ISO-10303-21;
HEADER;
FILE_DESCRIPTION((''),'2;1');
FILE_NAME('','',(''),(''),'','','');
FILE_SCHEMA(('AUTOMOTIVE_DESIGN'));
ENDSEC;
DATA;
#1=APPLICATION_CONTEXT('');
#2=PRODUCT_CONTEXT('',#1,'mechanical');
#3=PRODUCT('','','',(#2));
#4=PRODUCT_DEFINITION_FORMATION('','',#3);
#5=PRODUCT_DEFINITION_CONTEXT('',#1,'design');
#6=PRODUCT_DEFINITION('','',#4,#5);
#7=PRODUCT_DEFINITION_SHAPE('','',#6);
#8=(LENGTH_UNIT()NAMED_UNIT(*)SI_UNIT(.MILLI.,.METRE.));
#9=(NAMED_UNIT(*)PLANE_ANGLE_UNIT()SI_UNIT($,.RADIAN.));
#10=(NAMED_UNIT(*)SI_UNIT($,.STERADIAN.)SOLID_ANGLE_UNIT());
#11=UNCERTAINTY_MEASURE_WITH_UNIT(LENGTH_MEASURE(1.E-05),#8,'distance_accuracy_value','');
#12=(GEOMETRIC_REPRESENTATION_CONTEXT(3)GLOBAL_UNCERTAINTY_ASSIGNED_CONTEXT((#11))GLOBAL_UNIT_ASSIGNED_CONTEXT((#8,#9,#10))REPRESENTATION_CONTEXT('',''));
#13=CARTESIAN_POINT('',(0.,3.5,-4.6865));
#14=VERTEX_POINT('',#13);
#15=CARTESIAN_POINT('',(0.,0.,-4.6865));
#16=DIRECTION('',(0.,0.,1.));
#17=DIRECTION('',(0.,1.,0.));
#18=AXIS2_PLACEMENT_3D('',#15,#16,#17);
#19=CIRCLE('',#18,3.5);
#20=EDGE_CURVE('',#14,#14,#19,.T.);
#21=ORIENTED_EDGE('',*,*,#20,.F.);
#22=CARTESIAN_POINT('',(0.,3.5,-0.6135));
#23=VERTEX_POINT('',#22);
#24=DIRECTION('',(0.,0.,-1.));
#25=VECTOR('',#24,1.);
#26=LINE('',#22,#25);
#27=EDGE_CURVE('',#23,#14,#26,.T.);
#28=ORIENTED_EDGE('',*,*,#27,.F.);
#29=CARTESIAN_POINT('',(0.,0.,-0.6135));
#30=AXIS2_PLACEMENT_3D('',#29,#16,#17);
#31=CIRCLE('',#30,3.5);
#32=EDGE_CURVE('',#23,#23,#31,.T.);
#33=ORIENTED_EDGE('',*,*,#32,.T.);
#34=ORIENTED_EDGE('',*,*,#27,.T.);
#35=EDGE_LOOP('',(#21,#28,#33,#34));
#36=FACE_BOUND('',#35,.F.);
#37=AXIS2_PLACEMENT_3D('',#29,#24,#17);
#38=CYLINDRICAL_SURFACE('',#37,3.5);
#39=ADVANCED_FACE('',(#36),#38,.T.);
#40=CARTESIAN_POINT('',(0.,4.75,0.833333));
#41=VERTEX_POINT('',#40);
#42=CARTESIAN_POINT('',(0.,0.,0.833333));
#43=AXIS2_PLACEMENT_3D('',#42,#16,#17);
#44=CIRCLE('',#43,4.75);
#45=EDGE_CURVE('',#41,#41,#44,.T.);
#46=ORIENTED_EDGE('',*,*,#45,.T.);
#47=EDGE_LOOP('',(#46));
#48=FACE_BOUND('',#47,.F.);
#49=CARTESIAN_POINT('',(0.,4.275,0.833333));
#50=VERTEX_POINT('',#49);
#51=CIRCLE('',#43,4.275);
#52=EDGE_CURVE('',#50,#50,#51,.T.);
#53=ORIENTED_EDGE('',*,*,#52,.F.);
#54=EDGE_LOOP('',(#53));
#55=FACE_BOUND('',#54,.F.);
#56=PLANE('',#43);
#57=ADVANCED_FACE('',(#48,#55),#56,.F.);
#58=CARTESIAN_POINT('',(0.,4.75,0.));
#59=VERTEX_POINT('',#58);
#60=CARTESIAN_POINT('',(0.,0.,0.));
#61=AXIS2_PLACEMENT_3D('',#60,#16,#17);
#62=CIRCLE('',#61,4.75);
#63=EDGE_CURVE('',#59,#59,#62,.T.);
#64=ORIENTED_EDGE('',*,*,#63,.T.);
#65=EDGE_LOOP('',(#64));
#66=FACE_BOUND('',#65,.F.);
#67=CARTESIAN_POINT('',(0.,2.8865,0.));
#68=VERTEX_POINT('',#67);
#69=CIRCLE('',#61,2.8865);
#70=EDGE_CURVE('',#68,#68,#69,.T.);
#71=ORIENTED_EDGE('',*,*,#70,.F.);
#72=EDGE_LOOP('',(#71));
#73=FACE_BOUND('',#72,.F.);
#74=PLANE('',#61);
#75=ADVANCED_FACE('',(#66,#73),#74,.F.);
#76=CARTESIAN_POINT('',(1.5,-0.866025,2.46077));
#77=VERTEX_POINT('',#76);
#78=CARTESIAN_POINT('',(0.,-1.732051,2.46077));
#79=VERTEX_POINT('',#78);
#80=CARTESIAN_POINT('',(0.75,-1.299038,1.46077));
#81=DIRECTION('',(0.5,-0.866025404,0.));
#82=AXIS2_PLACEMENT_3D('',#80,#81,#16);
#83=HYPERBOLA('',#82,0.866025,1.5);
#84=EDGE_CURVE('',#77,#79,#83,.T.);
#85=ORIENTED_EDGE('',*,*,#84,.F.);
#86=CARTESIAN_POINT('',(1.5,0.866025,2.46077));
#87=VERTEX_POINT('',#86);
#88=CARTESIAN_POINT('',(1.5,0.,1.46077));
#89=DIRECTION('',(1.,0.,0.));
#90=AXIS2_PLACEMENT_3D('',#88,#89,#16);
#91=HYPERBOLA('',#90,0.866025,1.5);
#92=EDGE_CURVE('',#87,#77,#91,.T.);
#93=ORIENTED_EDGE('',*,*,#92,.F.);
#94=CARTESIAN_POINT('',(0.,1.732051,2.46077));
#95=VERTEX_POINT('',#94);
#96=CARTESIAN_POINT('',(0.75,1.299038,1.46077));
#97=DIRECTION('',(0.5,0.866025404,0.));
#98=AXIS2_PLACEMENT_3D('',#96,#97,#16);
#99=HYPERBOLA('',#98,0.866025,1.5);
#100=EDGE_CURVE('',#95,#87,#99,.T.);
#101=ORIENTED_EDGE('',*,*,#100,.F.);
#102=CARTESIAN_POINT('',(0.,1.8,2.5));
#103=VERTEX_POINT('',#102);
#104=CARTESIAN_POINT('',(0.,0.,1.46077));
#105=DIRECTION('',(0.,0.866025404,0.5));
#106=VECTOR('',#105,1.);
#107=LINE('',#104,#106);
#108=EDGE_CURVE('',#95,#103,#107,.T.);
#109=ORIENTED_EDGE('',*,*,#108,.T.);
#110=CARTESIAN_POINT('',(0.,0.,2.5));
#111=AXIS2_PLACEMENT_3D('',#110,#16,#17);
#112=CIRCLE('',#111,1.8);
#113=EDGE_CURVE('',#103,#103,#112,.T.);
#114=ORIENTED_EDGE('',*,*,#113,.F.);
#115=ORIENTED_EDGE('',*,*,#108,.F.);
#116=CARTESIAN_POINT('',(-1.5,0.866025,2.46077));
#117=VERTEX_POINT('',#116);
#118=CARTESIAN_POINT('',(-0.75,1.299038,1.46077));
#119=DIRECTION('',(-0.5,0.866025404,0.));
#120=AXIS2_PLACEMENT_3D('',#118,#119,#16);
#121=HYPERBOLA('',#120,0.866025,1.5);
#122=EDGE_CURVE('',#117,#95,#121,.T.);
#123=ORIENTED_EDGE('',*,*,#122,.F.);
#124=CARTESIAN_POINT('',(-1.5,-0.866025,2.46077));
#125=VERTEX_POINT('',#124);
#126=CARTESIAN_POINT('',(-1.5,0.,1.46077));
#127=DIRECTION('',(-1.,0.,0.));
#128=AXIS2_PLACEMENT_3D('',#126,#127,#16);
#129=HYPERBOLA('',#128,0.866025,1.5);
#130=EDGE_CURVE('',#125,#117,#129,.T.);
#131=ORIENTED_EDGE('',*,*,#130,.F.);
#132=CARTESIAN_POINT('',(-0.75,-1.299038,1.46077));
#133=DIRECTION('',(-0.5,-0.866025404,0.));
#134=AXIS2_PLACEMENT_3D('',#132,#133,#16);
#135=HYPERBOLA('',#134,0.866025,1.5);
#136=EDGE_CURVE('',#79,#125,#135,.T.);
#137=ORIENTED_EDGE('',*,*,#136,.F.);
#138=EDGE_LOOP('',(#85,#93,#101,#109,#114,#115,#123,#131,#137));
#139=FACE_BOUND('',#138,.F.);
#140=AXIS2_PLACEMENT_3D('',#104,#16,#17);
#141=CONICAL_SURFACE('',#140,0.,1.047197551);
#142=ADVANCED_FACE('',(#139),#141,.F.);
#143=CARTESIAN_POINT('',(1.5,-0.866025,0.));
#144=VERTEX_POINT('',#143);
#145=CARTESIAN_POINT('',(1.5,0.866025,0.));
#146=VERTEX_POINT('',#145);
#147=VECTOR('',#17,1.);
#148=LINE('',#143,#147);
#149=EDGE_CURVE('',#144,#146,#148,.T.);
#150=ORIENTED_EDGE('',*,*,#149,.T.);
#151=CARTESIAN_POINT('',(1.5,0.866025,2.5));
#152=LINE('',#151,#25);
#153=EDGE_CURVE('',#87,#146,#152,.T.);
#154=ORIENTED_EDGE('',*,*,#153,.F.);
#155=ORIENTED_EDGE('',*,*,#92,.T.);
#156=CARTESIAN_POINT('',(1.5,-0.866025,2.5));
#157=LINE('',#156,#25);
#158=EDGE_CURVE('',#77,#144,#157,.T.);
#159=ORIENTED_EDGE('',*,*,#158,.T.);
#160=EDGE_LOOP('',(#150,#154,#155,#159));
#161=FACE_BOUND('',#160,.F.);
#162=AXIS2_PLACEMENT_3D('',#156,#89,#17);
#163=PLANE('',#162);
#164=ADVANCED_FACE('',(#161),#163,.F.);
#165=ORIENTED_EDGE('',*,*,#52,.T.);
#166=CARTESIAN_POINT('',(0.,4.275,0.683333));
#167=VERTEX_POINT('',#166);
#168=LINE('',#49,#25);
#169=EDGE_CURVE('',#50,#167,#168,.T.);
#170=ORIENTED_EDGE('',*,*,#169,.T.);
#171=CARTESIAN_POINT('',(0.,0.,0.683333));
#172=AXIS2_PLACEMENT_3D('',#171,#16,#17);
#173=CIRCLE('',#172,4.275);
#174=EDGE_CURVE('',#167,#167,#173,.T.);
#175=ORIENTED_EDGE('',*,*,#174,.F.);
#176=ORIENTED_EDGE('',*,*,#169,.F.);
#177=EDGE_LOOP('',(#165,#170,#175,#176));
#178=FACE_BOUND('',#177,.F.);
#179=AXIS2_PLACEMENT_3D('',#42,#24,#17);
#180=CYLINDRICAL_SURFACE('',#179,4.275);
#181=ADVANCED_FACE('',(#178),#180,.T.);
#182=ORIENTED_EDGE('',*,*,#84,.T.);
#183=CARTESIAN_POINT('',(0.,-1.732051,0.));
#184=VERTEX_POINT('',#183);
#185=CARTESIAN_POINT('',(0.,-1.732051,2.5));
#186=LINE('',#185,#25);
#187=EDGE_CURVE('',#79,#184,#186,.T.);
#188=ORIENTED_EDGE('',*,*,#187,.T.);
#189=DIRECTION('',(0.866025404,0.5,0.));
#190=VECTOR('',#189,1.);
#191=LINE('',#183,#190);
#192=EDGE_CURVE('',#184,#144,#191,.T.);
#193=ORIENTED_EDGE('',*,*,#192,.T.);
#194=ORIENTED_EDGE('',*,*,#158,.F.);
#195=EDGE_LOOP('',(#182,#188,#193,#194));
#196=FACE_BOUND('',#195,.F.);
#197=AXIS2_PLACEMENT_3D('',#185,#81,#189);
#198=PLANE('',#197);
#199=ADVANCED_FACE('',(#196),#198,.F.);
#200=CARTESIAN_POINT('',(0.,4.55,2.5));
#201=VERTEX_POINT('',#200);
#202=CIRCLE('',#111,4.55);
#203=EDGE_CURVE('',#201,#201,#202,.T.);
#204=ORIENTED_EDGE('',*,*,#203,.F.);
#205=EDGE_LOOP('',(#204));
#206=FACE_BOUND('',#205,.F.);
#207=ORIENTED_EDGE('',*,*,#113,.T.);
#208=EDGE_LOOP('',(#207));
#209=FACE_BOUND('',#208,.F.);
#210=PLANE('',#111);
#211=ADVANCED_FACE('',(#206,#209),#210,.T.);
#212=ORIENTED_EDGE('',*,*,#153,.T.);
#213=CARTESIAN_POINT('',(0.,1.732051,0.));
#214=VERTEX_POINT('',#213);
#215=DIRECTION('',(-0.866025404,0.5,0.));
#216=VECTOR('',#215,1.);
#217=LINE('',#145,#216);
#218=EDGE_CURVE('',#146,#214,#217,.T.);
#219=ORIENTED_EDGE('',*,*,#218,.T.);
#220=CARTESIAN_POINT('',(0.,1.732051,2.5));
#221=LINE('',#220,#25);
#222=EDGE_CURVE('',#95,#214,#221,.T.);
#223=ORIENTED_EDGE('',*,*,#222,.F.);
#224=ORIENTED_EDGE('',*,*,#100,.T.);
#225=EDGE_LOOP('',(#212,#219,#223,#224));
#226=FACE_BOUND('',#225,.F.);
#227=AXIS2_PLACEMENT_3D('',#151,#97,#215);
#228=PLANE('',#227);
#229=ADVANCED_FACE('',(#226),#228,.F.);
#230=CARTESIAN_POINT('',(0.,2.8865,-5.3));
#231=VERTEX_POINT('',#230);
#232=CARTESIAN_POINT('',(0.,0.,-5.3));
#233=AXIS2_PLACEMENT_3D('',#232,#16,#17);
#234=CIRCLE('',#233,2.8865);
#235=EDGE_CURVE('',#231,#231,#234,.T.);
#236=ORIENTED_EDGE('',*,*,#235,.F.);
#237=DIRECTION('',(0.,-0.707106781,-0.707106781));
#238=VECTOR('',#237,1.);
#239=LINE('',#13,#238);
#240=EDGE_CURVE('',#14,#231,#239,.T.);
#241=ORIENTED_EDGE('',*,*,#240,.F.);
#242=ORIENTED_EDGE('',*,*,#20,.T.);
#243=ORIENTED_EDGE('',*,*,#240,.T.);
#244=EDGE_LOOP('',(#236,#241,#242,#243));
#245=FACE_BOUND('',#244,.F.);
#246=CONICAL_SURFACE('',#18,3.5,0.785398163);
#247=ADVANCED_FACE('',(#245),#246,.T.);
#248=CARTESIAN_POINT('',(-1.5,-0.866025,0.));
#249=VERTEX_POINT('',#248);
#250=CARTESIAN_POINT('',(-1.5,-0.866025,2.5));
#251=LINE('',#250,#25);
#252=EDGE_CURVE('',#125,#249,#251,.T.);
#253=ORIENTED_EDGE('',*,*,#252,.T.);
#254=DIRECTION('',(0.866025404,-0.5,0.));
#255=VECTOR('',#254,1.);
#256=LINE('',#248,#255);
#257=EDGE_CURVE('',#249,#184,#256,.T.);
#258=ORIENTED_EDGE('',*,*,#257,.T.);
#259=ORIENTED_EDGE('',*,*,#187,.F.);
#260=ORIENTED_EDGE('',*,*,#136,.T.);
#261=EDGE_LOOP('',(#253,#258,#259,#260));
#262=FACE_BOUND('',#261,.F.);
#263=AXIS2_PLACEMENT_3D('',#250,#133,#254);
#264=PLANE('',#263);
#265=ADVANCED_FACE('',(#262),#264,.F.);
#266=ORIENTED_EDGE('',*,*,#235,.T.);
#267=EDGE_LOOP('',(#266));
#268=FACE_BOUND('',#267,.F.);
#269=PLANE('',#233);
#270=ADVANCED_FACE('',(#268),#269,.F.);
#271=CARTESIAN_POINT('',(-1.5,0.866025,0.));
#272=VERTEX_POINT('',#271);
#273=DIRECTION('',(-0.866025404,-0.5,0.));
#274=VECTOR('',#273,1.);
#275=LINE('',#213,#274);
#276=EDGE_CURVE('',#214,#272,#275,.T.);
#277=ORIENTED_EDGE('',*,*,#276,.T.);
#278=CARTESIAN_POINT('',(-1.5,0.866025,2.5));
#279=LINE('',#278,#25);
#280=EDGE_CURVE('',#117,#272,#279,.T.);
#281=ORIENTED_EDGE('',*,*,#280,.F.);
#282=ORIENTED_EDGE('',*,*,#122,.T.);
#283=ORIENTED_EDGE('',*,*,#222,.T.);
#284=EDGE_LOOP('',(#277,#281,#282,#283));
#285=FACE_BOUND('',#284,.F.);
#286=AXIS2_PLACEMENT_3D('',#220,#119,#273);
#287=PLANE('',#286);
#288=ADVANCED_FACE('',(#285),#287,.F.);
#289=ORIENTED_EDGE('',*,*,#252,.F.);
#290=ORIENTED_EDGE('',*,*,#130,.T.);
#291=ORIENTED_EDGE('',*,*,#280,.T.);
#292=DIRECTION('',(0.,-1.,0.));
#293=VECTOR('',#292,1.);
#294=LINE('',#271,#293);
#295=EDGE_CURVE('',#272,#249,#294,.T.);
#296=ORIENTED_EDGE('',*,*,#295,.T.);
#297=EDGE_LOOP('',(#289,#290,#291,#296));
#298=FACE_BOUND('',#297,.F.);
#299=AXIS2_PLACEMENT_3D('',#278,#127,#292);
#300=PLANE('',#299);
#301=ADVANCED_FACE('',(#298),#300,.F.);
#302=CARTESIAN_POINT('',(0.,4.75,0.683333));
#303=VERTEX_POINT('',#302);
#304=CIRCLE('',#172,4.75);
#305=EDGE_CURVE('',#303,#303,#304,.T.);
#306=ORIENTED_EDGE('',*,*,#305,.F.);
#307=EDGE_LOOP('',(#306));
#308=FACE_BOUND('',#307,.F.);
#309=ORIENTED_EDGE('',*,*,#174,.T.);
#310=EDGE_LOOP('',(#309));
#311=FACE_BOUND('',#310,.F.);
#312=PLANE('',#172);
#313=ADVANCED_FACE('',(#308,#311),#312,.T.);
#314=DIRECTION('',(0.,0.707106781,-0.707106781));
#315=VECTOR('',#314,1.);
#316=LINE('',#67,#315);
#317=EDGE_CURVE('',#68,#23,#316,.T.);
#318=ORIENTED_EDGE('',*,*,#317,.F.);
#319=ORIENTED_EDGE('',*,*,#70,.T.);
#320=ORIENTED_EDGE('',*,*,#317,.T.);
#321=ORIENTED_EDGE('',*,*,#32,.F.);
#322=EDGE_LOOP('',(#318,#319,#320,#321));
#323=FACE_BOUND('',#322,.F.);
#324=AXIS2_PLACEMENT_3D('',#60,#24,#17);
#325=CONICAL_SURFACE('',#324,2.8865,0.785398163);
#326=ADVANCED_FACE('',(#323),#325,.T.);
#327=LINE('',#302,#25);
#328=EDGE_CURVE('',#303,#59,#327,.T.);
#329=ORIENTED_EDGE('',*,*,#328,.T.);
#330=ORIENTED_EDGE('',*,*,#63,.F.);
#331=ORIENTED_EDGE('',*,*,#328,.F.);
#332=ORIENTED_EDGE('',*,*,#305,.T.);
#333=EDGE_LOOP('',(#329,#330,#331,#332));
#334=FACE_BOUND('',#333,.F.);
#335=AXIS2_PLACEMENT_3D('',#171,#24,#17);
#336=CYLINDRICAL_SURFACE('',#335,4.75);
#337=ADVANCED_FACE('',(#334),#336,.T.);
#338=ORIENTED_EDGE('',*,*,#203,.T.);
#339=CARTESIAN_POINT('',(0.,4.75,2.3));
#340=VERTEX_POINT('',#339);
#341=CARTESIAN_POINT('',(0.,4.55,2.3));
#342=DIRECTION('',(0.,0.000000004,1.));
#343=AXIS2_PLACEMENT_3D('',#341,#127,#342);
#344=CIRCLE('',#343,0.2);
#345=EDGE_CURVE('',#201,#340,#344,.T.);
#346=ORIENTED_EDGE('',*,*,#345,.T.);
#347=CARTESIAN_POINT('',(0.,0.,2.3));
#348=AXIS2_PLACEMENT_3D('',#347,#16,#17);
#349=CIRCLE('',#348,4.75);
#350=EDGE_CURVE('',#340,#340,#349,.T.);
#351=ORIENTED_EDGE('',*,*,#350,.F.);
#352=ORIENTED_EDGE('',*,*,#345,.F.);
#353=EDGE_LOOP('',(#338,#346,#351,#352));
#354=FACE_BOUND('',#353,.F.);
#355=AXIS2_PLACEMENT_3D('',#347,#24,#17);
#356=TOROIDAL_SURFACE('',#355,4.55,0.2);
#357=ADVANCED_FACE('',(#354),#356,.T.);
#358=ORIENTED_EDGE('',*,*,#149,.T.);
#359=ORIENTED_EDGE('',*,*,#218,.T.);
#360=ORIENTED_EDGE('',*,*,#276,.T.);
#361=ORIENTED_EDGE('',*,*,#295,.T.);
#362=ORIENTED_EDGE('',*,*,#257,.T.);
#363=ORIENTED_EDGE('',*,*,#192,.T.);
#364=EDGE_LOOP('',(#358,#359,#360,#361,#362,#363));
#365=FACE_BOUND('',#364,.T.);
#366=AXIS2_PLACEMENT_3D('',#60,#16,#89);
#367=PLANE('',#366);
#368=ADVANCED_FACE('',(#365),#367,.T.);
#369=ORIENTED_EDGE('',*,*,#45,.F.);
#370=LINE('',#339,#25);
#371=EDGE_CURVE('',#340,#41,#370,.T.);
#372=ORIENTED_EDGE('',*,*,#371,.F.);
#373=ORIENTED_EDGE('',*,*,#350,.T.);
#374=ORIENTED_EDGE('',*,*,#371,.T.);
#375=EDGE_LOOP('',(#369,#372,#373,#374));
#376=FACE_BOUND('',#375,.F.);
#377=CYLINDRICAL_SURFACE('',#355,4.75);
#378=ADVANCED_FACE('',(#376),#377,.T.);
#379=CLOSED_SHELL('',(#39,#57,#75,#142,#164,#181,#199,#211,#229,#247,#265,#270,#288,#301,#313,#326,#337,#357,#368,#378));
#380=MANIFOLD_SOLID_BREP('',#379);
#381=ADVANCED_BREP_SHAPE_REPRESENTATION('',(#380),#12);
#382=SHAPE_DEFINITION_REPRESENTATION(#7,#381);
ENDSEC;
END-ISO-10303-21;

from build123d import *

# Parameters (mm, degrees)
CUT_EXTRUDE1_DEPTH = 2.5


with BuildPart() as part:
    # Sketch1 → Revolve1 (revolve)
    with BuildSketch(Plane(origin=(0, 0, 0), x_dir=(0, 0, -1), z_dir=(1, 0, 0))):
        with BuildLine():
            Line((-1.460769515, 0), (-2.5, 1.8))
            Line((-2.5, 1.8), (-2.5, 4.55))
            ThreePointArc((-2.5, 4.55), (-2.441421356, 4.691421356), (-2.3, 4.75))
            Line((-2.3, 4.75), (-0.833333333, 4.75))
            Line((-0.833333333, 4.75), (-0.833333333, 4.275))
            Line((-0.833333333, 4.275), (-0.683333333, 4.275))
            Line((-0.683333333, 4.275), (-0.683333333, 4.75))
            Line((-0.683333333, 4.75), (0, 4.75))
            Line((0, 4.75), (0, 2.8865))
            Line((0, 2.8865), (0.6135, 3.5))
            Line((0.6135, 3.5), (4.6865, 3.5))
            Line((4.6865, 3.5), (5.3, 2.8865))
            Line((5.3, 2.8865), (5.3, 0))
            Line((5.3, 0), (-1.460769515, 0))
        make_face()
    revolve(axis=Axis((0, 0, -5.3), (0, 0, 1)))

    # Sketch2 → Cut-Extrude1 (cut)
    with BuildSketch(Plane.XY.offset(2.5)):
        Polygon((-1.5, -0.866025404), (0, -1.732050808), (1.5, -0.866025404), (1.5, 0.866025404), (0, 1.732050808), (-1.5, 0.866025404), align=None)
    extrude(amount=-CUT_EXTRUDE1_DEPTH, mode=Mode.SUBTRACT)


solid = part.part
